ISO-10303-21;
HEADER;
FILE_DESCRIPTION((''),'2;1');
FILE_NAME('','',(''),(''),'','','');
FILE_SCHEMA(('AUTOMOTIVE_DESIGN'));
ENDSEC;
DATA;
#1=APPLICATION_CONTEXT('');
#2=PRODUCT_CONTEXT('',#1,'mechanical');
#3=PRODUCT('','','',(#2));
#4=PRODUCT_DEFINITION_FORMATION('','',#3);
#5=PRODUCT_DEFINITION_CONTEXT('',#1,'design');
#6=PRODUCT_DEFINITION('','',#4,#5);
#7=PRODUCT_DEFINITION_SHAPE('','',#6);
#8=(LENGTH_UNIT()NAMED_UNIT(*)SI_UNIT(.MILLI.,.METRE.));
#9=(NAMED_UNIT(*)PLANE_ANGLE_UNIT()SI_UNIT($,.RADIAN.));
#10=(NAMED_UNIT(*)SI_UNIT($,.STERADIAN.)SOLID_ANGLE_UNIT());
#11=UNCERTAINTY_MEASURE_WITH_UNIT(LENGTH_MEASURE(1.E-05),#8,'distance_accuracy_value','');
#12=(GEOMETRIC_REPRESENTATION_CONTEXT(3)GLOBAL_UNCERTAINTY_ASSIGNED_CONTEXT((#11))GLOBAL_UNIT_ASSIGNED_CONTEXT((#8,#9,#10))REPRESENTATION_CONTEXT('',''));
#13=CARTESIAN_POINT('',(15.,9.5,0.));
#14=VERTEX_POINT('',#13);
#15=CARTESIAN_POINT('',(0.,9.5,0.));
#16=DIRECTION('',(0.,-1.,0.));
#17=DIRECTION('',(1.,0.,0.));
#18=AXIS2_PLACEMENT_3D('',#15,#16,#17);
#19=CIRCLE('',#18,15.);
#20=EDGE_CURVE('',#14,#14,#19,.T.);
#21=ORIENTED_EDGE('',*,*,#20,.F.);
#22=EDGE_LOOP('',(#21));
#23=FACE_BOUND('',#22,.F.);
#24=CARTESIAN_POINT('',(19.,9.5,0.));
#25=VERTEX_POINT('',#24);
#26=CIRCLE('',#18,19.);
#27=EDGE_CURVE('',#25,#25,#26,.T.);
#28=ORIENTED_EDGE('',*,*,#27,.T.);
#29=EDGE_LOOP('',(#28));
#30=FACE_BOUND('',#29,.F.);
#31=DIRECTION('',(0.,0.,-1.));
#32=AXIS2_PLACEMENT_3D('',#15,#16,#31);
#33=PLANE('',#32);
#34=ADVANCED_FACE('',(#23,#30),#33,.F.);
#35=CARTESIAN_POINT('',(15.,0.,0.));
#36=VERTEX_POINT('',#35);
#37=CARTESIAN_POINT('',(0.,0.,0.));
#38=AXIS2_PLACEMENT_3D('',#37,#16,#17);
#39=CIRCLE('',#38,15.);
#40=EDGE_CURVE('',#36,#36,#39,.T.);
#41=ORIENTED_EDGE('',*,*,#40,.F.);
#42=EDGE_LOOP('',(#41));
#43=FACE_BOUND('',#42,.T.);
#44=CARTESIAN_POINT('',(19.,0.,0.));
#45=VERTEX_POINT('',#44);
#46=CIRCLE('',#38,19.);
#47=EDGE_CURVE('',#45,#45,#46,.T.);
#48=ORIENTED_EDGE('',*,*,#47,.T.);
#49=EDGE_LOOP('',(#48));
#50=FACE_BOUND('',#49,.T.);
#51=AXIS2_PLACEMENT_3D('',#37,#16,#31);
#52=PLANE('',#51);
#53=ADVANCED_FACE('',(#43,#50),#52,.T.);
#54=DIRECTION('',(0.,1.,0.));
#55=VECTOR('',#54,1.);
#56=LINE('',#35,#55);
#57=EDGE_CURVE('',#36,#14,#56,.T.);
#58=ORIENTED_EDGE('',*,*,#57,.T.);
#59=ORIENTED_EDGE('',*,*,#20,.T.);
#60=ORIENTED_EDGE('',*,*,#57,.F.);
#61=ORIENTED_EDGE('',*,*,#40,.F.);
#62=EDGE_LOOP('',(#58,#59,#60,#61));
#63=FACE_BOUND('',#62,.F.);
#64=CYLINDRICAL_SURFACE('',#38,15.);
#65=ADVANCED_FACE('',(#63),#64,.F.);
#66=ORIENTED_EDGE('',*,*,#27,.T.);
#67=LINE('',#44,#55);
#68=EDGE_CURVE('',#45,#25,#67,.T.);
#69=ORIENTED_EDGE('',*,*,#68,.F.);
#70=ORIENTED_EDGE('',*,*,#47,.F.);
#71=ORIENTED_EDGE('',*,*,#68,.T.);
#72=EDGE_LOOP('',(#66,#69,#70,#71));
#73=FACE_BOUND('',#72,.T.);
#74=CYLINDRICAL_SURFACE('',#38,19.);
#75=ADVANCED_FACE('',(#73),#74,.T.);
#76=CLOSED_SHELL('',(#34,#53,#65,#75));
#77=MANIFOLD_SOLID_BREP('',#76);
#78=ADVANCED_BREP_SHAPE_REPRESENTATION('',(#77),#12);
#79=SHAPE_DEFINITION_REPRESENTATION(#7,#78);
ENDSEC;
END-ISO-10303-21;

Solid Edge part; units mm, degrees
sketch "Sketch1" plane through (0, 0, 0) normal (0, -1, 0) x (1, 0, 0)
  circle A0 centre (0, 0) radius 19
  circle A1 centre (0, 0) radius 15
extrude "Protrusion1" add sketch "Sketch1" against normal blind 9.5
properties part number "1976-1100-015" material "Aluminio, 7075-T6"
